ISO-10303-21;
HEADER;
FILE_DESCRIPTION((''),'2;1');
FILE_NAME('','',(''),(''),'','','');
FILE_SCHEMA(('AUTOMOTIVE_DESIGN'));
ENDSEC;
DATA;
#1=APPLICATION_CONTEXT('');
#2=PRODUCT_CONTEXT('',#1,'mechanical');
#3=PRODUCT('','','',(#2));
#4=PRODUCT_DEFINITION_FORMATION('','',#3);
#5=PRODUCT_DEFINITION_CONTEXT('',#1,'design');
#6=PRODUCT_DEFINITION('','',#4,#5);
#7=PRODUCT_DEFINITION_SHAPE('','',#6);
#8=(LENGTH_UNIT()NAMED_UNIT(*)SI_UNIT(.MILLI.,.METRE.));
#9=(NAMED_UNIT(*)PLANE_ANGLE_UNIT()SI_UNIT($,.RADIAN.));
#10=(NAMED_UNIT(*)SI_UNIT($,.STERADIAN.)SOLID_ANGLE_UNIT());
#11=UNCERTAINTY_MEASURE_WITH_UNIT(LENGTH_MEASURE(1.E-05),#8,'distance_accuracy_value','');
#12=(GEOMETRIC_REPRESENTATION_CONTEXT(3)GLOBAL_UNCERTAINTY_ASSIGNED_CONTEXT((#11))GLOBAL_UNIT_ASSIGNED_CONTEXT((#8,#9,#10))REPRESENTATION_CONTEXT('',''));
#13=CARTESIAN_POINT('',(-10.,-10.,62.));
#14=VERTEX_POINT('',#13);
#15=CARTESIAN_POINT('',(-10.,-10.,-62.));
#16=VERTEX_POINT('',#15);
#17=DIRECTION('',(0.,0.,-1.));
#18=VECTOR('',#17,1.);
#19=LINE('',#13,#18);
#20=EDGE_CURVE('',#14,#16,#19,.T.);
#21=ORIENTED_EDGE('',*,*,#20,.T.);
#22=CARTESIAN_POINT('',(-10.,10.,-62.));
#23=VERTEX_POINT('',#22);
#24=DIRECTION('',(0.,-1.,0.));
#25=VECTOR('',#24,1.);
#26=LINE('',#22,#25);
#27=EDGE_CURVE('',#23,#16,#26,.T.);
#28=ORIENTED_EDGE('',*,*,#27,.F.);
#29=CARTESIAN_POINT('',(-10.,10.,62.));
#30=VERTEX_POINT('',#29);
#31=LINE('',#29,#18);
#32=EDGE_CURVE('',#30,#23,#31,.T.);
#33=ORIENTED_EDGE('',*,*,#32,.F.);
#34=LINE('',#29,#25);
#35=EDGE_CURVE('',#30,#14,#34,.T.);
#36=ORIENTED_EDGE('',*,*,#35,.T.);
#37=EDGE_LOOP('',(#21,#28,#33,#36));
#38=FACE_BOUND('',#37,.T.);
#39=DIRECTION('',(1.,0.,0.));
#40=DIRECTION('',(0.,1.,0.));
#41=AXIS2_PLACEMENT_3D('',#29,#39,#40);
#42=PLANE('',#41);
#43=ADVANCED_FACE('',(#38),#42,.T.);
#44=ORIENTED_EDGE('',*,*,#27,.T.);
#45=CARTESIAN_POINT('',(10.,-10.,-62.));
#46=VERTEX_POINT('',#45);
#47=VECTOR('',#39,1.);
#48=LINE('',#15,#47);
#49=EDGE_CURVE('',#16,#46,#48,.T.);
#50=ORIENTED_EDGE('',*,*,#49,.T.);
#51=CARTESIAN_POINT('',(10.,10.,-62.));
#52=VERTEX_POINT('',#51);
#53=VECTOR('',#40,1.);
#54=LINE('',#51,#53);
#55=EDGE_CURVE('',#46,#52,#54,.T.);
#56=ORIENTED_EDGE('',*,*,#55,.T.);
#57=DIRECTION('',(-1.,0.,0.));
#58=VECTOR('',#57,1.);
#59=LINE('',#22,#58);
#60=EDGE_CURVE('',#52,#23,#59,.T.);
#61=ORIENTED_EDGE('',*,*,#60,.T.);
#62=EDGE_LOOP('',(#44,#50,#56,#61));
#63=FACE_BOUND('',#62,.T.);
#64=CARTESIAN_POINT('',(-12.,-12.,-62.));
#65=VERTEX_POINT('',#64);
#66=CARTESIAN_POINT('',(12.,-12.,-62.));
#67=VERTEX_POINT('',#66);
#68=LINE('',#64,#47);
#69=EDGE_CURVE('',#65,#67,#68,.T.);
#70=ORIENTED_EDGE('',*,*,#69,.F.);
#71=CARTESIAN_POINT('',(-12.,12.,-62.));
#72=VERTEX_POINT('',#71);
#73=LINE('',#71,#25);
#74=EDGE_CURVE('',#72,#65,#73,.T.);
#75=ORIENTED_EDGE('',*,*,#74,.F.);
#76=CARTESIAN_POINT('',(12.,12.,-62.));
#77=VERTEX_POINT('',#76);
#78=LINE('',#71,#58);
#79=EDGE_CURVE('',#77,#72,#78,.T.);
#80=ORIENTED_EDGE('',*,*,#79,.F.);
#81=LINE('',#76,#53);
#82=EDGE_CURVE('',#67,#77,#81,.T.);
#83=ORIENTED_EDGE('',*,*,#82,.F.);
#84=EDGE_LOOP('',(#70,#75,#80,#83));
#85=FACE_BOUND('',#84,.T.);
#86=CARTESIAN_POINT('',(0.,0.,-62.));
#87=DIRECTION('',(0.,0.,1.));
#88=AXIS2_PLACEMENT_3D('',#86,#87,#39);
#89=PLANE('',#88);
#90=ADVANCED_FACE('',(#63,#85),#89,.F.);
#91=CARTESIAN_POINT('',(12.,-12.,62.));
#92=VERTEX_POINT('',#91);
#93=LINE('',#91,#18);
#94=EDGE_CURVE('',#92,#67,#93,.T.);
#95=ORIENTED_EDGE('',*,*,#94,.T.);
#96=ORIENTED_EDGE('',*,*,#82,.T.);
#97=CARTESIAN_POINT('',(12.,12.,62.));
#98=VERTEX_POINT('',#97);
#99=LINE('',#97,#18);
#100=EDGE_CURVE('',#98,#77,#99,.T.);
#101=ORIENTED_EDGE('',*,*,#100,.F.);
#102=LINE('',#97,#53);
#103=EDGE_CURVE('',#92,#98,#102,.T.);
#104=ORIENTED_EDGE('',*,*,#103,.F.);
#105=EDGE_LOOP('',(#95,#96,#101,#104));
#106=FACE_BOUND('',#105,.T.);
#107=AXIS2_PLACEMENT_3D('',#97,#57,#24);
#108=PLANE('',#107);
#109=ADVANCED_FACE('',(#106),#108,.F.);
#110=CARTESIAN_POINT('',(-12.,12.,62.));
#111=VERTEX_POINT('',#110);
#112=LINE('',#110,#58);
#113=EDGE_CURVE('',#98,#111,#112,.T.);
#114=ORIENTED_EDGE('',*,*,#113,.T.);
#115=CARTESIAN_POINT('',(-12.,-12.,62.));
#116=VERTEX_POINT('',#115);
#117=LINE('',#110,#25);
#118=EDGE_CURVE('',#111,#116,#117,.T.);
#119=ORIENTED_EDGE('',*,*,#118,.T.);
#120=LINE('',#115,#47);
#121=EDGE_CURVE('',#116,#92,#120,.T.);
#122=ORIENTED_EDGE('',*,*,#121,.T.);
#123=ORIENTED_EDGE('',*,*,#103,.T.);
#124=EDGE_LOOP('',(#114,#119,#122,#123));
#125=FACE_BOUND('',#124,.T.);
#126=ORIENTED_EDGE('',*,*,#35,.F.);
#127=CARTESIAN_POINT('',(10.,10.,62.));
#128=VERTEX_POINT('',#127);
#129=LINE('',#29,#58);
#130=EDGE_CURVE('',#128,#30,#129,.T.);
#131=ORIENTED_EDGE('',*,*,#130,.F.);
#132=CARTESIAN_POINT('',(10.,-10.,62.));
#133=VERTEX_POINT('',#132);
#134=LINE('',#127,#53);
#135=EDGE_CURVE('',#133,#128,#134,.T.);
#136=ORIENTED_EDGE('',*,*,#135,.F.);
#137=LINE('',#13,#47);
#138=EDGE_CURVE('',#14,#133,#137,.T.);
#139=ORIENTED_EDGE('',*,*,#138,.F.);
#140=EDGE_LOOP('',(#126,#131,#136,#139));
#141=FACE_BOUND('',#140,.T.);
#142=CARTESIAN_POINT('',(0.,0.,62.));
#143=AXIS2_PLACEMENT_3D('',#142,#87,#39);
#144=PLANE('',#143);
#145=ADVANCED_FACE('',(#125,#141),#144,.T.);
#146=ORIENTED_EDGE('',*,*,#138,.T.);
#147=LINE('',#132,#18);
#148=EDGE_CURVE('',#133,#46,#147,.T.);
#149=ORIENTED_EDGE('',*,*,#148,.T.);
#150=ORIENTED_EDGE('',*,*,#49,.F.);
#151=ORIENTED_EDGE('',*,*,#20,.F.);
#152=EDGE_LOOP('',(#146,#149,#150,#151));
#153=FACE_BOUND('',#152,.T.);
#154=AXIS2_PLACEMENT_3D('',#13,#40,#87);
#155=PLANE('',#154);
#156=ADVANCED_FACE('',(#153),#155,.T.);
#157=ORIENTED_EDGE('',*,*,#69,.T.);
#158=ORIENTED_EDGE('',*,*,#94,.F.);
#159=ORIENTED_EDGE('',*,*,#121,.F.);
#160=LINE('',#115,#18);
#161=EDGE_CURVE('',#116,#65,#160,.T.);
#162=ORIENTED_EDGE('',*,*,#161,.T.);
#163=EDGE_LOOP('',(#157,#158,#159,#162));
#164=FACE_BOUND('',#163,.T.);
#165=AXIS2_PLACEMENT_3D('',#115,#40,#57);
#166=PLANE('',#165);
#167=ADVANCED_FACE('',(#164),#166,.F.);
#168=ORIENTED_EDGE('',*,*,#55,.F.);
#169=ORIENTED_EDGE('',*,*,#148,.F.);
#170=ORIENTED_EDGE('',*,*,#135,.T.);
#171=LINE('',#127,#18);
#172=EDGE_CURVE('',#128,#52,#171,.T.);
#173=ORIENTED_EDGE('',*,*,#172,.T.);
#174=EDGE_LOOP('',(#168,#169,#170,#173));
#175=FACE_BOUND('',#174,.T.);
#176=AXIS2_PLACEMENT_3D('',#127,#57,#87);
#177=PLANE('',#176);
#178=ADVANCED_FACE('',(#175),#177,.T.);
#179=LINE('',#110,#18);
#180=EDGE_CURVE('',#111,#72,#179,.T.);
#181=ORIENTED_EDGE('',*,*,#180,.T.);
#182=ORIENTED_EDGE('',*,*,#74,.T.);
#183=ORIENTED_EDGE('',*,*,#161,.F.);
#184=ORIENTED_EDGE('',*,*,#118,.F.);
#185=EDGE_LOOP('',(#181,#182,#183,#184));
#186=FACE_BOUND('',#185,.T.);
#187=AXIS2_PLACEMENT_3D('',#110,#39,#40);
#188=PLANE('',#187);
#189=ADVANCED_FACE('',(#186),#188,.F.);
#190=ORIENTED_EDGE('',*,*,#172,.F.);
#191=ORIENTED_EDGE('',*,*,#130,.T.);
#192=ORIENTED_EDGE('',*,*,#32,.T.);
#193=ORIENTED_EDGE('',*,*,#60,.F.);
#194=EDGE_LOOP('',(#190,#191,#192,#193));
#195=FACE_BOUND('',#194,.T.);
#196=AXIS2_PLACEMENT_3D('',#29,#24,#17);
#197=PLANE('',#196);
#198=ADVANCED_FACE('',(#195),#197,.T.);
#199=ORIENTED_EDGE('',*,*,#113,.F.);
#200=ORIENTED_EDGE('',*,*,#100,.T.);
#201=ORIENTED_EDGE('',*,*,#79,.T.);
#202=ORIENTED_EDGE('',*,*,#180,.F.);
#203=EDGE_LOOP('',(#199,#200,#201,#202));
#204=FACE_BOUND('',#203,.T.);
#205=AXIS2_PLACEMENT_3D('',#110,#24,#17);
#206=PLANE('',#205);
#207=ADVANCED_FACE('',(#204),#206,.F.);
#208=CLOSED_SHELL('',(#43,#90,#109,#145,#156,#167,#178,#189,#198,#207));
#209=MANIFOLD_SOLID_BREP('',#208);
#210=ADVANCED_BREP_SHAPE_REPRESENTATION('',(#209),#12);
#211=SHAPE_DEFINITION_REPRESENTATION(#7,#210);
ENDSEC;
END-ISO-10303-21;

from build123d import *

# Parameters (mm, degrees)
SKETCH_1_W      = 24
SKETCH_1_H      = 24
SKETCH_1_W_2    = 20
SKETCH_1_H_2    = 20
EXTRUDE_1_DEPTH = 62


with BuildPart() as part:
    # 草图1 → 凸台-拉伸1 (new, symmetric)
    with BuildSketch(Plane.XY):
        Rectangle(SKETCH_1_W, SKETCH_1_H)
        Rectangle(SKETCH_1_W_2, SKETCH_1_H_2, mode=Mode.SUBTRACT)
    extrude(amount=EXTRUDE_1_DEPTH, both=True)


solid = part.part
